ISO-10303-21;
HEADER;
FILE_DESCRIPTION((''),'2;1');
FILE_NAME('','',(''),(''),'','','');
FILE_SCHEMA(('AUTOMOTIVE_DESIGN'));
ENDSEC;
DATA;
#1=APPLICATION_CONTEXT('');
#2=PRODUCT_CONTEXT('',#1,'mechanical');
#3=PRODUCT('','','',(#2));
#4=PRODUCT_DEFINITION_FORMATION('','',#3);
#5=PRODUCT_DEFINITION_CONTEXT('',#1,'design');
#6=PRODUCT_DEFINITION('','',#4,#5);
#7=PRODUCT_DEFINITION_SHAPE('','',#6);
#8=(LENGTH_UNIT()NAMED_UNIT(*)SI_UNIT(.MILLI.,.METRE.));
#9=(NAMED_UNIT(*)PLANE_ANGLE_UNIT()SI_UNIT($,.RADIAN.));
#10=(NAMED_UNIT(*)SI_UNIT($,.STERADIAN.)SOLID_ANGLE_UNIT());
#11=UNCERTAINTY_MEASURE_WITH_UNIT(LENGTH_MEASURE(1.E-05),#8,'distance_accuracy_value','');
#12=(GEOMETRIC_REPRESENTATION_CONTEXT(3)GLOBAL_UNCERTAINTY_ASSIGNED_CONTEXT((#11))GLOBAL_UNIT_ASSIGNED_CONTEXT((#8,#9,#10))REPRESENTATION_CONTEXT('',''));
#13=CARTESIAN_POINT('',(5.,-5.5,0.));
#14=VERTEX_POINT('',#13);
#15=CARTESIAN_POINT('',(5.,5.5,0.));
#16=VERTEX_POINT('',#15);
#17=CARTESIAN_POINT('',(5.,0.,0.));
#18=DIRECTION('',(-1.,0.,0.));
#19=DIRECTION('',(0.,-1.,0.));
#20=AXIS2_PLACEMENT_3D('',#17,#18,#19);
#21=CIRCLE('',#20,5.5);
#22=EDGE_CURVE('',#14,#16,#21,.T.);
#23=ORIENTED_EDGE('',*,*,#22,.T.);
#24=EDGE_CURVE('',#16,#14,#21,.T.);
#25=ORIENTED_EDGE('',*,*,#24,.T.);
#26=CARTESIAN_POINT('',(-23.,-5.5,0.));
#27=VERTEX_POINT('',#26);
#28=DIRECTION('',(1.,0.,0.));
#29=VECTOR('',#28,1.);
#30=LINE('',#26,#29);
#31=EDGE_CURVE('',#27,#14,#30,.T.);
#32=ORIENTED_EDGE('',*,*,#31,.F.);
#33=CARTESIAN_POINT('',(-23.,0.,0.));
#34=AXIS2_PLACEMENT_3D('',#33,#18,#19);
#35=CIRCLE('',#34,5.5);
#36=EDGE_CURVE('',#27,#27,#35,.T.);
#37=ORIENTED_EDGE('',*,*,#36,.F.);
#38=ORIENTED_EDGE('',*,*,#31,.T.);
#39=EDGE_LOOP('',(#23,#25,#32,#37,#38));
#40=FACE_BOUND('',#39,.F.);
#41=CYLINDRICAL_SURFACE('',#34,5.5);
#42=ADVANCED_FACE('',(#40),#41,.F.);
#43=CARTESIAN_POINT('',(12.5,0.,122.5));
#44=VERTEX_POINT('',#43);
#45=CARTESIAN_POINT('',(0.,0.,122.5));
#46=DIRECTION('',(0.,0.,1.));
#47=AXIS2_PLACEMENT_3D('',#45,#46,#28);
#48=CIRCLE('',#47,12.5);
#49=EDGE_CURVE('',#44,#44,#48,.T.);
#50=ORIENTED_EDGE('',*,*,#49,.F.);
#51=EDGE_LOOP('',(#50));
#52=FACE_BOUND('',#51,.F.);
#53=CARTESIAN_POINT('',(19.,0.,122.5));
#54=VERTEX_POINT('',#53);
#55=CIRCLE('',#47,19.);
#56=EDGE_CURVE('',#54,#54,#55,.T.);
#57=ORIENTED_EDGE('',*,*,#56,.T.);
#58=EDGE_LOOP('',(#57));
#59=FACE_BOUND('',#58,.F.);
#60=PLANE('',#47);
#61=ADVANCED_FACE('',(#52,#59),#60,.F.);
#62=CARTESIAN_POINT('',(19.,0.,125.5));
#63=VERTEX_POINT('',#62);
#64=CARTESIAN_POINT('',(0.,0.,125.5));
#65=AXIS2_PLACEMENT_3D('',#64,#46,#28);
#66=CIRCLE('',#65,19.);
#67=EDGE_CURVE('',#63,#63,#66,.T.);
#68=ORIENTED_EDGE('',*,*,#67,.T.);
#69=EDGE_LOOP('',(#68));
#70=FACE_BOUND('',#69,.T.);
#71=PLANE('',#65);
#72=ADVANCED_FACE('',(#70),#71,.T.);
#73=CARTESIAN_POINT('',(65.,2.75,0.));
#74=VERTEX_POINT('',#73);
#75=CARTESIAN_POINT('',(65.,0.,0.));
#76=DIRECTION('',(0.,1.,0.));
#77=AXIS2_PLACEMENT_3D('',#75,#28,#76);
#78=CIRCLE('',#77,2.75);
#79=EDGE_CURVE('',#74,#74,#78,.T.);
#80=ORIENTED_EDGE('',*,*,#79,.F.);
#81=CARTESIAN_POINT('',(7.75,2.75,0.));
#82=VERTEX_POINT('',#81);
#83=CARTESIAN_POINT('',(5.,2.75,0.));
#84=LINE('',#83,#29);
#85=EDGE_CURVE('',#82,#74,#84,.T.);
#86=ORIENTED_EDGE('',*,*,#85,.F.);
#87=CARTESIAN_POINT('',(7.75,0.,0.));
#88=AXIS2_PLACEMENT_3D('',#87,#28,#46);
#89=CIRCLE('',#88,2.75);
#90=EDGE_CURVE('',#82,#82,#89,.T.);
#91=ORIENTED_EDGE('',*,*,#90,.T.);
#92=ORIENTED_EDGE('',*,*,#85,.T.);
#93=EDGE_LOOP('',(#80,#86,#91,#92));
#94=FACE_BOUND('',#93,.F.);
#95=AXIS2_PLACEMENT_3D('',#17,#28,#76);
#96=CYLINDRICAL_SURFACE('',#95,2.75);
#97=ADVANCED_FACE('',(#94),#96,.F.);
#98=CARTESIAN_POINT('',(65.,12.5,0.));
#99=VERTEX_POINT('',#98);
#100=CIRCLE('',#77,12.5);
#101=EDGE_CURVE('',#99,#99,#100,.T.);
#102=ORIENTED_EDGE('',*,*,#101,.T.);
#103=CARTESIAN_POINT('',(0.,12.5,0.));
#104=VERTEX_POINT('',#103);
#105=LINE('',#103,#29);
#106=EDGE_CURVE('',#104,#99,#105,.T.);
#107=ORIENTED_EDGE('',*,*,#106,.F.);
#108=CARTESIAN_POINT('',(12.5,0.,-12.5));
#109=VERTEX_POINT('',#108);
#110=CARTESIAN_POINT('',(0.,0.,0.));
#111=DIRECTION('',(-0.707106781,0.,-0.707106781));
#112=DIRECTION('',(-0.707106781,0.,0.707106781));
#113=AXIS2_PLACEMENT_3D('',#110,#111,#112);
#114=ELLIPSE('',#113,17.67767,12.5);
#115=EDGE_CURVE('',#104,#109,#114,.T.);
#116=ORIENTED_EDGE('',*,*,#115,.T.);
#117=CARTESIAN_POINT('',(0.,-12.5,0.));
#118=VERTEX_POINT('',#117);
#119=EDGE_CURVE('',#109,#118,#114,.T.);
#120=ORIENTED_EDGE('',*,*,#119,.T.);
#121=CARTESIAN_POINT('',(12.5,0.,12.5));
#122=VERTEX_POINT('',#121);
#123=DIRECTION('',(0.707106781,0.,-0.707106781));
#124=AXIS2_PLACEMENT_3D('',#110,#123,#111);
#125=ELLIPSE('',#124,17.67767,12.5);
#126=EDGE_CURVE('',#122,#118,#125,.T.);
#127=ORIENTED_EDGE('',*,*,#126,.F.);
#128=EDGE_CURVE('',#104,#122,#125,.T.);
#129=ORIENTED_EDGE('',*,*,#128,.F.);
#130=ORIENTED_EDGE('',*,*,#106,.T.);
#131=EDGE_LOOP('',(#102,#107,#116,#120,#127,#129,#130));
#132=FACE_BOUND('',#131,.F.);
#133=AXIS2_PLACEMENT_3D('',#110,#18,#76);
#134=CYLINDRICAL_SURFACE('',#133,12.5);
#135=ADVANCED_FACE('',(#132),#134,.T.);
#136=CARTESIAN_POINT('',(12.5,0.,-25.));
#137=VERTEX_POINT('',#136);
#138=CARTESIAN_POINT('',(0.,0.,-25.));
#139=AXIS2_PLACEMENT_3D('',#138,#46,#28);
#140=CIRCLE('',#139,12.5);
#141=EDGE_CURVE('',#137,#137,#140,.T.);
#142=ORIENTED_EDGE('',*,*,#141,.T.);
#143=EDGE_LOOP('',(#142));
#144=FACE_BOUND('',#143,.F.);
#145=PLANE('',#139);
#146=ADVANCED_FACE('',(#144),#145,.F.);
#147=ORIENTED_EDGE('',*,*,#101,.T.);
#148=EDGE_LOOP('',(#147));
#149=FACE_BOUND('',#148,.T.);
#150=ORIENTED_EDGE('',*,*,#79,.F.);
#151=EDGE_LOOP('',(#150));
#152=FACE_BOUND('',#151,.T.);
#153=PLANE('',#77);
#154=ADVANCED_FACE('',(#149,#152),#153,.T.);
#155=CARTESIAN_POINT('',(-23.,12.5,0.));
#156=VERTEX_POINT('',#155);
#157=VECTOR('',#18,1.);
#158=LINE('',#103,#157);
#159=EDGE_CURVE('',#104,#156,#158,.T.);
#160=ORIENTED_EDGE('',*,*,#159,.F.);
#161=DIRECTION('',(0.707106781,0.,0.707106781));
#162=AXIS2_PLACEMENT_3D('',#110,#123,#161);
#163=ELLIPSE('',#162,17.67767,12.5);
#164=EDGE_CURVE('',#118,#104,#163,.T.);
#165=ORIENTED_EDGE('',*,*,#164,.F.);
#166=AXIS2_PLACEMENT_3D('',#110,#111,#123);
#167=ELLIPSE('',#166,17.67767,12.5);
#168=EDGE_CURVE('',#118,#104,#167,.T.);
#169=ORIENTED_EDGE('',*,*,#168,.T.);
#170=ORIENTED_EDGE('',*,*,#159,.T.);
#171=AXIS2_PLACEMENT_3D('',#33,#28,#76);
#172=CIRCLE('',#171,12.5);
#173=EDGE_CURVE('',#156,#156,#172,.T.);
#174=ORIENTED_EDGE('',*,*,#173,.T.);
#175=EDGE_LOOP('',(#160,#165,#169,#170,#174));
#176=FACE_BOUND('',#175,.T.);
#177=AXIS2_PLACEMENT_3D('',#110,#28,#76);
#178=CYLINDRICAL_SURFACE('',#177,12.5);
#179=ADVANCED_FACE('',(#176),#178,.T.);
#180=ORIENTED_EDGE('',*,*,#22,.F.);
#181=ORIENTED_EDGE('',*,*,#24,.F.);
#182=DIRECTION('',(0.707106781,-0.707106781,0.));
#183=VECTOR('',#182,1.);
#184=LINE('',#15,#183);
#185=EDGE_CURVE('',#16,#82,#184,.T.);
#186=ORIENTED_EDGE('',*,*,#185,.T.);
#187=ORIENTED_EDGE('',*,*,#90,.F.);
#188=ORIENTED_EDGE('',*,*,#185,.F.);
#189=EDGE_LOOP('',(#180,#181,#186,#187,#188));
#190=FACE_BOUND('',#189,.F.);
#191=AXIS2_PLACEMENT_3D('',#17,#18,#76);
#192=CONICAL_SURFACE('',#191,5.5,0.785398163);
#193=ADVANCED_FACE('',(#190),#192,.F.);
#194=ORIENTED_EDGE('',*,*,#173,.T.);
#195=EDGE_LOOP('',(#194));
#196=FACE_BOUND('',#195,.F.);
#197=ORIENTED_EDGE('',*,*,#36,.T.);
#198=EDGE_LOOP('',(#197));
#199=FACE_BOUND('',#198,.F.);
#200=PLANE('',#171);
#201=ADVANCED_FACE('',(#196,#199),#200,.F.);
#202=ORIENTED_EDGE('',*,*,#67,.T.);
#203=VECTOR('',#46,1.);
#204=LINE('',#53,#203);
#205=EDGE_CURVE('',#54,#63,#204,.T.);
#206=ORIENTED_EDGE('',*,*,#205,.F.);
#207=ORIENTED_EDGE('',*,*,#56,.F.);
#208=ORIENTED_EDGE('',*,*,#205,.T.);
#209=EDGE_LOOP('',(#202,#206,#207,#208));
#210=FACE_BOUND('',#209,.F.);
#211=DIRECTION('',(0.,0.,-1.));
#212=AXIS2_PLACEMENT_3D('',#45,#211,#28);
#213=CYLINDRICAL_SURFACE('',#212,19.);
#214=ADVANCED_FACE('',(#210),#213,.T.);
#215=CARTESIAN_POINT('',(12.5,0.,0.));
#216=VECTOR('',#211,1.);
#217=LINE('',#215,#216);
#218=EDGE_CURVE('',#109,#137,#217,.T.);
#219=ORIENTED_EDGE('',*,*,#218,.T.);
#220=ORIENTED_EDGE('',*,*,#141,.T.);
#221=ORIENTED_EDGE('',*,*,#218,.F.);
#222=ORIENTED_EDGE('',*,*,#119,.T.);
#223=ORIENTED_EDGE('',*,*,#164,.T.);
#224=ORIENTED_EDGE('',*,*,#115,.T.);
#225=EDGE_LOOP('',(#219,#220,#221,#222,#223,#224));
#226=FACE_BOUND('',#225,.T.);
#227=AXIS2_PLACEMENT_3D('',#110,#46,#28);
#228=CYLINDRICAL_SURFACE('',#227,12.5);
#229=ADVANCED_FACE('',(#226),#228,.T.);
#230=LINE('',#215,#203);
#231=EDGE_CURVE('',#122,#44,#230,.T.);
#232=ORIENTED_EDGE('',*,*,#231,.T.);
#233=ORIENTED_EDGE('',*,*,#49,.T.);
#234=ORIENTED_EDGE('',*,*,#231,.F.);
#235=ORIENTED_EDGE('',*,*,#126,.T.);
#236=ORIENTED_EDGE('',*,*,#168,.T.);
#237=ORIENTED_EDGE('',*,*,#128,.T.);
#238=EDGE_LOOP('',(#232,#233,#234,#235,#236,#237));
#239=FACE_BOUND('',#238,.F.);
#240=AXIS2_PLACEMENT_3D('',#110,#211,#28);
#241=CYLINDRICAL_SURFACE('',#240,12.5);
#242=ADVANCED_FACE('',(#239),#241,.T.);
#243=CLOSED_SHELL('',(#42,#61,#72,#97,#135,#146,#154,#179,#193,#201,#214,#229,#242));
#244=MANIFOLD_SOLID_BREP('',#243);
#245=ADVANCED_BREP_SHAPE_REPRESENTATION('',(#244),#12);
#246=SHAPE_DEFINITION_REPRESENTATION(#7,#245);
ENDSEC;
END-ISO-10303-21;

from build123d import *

# Parameters (mm, degrees)
F0_R            = 12.5
F1_DEPTH        = 122.5
F2_R            = 12.5
F3_DEPTH        = 65
F4_DEPTH        = 23
F5_DEPTH        = 25
F6_R            = 19
F7_DEPTH        = 3
F8_R            = 5.5
F9_DEPTH        = 28
F11_D           = 5.5
F11_DEPTH       = 100
F11_CSINK_D     = 11
F11_CSINK_ANGLE = 90


with BuildPart() as f1:
    # F0 (on Top) → F1 (new body)
    with BuildSketch(Plane.XY):
        Circle(F0_R)
    extrude(amount=F1_DEPTH)

    # F2 (on Right) → F3 (join)
    with BuildSketch(Plane.YZ):
        Circle(F2_R)
    extrude(amount=F3_DEPTH)

    # F2 (on Right) → F4 (join)
    with BuildSketch(Plane.YZ):
        Circle(F2_R)
    extrude(amount=-F4_DEPTH)

    # F0 (on Top) → F5 (join)
    with BuildSketch(Plane.XY):
        Circle(F0_R)
    extrude(amount=-F5_DEPTH)

    # F6 (on face) → F7 (join)
    with BuildSketch(Plane.XY.offset(122.5)):
        Circle(F6_R)
    extrude(amount=F7_DEPTH)

    # F8 (on face) → F9 (cut)
    with BuildSketch(Plane(origin=(-23, 0, 0), x_dir=(0, -1, 0), z_dir=(-1, 0, 0))):
        Circle(F8_R)
    extrude(amount=-F9_DEPTH, mode=Mode.SUBTRACT)

    # F11
    with Locations(Plane(origin=(5, 0, 0), x_dir=(0, -1, 0), z_dir=(-1, 0, 0))):
        with Locations((0, 0)):
            CounterSinkHole(F11_D / 2, F11_CSINK_D / 2, depth=F11_DEPTH, counter_sink_angle=F11_CSINK_ANGLE)


solid = f1.part
